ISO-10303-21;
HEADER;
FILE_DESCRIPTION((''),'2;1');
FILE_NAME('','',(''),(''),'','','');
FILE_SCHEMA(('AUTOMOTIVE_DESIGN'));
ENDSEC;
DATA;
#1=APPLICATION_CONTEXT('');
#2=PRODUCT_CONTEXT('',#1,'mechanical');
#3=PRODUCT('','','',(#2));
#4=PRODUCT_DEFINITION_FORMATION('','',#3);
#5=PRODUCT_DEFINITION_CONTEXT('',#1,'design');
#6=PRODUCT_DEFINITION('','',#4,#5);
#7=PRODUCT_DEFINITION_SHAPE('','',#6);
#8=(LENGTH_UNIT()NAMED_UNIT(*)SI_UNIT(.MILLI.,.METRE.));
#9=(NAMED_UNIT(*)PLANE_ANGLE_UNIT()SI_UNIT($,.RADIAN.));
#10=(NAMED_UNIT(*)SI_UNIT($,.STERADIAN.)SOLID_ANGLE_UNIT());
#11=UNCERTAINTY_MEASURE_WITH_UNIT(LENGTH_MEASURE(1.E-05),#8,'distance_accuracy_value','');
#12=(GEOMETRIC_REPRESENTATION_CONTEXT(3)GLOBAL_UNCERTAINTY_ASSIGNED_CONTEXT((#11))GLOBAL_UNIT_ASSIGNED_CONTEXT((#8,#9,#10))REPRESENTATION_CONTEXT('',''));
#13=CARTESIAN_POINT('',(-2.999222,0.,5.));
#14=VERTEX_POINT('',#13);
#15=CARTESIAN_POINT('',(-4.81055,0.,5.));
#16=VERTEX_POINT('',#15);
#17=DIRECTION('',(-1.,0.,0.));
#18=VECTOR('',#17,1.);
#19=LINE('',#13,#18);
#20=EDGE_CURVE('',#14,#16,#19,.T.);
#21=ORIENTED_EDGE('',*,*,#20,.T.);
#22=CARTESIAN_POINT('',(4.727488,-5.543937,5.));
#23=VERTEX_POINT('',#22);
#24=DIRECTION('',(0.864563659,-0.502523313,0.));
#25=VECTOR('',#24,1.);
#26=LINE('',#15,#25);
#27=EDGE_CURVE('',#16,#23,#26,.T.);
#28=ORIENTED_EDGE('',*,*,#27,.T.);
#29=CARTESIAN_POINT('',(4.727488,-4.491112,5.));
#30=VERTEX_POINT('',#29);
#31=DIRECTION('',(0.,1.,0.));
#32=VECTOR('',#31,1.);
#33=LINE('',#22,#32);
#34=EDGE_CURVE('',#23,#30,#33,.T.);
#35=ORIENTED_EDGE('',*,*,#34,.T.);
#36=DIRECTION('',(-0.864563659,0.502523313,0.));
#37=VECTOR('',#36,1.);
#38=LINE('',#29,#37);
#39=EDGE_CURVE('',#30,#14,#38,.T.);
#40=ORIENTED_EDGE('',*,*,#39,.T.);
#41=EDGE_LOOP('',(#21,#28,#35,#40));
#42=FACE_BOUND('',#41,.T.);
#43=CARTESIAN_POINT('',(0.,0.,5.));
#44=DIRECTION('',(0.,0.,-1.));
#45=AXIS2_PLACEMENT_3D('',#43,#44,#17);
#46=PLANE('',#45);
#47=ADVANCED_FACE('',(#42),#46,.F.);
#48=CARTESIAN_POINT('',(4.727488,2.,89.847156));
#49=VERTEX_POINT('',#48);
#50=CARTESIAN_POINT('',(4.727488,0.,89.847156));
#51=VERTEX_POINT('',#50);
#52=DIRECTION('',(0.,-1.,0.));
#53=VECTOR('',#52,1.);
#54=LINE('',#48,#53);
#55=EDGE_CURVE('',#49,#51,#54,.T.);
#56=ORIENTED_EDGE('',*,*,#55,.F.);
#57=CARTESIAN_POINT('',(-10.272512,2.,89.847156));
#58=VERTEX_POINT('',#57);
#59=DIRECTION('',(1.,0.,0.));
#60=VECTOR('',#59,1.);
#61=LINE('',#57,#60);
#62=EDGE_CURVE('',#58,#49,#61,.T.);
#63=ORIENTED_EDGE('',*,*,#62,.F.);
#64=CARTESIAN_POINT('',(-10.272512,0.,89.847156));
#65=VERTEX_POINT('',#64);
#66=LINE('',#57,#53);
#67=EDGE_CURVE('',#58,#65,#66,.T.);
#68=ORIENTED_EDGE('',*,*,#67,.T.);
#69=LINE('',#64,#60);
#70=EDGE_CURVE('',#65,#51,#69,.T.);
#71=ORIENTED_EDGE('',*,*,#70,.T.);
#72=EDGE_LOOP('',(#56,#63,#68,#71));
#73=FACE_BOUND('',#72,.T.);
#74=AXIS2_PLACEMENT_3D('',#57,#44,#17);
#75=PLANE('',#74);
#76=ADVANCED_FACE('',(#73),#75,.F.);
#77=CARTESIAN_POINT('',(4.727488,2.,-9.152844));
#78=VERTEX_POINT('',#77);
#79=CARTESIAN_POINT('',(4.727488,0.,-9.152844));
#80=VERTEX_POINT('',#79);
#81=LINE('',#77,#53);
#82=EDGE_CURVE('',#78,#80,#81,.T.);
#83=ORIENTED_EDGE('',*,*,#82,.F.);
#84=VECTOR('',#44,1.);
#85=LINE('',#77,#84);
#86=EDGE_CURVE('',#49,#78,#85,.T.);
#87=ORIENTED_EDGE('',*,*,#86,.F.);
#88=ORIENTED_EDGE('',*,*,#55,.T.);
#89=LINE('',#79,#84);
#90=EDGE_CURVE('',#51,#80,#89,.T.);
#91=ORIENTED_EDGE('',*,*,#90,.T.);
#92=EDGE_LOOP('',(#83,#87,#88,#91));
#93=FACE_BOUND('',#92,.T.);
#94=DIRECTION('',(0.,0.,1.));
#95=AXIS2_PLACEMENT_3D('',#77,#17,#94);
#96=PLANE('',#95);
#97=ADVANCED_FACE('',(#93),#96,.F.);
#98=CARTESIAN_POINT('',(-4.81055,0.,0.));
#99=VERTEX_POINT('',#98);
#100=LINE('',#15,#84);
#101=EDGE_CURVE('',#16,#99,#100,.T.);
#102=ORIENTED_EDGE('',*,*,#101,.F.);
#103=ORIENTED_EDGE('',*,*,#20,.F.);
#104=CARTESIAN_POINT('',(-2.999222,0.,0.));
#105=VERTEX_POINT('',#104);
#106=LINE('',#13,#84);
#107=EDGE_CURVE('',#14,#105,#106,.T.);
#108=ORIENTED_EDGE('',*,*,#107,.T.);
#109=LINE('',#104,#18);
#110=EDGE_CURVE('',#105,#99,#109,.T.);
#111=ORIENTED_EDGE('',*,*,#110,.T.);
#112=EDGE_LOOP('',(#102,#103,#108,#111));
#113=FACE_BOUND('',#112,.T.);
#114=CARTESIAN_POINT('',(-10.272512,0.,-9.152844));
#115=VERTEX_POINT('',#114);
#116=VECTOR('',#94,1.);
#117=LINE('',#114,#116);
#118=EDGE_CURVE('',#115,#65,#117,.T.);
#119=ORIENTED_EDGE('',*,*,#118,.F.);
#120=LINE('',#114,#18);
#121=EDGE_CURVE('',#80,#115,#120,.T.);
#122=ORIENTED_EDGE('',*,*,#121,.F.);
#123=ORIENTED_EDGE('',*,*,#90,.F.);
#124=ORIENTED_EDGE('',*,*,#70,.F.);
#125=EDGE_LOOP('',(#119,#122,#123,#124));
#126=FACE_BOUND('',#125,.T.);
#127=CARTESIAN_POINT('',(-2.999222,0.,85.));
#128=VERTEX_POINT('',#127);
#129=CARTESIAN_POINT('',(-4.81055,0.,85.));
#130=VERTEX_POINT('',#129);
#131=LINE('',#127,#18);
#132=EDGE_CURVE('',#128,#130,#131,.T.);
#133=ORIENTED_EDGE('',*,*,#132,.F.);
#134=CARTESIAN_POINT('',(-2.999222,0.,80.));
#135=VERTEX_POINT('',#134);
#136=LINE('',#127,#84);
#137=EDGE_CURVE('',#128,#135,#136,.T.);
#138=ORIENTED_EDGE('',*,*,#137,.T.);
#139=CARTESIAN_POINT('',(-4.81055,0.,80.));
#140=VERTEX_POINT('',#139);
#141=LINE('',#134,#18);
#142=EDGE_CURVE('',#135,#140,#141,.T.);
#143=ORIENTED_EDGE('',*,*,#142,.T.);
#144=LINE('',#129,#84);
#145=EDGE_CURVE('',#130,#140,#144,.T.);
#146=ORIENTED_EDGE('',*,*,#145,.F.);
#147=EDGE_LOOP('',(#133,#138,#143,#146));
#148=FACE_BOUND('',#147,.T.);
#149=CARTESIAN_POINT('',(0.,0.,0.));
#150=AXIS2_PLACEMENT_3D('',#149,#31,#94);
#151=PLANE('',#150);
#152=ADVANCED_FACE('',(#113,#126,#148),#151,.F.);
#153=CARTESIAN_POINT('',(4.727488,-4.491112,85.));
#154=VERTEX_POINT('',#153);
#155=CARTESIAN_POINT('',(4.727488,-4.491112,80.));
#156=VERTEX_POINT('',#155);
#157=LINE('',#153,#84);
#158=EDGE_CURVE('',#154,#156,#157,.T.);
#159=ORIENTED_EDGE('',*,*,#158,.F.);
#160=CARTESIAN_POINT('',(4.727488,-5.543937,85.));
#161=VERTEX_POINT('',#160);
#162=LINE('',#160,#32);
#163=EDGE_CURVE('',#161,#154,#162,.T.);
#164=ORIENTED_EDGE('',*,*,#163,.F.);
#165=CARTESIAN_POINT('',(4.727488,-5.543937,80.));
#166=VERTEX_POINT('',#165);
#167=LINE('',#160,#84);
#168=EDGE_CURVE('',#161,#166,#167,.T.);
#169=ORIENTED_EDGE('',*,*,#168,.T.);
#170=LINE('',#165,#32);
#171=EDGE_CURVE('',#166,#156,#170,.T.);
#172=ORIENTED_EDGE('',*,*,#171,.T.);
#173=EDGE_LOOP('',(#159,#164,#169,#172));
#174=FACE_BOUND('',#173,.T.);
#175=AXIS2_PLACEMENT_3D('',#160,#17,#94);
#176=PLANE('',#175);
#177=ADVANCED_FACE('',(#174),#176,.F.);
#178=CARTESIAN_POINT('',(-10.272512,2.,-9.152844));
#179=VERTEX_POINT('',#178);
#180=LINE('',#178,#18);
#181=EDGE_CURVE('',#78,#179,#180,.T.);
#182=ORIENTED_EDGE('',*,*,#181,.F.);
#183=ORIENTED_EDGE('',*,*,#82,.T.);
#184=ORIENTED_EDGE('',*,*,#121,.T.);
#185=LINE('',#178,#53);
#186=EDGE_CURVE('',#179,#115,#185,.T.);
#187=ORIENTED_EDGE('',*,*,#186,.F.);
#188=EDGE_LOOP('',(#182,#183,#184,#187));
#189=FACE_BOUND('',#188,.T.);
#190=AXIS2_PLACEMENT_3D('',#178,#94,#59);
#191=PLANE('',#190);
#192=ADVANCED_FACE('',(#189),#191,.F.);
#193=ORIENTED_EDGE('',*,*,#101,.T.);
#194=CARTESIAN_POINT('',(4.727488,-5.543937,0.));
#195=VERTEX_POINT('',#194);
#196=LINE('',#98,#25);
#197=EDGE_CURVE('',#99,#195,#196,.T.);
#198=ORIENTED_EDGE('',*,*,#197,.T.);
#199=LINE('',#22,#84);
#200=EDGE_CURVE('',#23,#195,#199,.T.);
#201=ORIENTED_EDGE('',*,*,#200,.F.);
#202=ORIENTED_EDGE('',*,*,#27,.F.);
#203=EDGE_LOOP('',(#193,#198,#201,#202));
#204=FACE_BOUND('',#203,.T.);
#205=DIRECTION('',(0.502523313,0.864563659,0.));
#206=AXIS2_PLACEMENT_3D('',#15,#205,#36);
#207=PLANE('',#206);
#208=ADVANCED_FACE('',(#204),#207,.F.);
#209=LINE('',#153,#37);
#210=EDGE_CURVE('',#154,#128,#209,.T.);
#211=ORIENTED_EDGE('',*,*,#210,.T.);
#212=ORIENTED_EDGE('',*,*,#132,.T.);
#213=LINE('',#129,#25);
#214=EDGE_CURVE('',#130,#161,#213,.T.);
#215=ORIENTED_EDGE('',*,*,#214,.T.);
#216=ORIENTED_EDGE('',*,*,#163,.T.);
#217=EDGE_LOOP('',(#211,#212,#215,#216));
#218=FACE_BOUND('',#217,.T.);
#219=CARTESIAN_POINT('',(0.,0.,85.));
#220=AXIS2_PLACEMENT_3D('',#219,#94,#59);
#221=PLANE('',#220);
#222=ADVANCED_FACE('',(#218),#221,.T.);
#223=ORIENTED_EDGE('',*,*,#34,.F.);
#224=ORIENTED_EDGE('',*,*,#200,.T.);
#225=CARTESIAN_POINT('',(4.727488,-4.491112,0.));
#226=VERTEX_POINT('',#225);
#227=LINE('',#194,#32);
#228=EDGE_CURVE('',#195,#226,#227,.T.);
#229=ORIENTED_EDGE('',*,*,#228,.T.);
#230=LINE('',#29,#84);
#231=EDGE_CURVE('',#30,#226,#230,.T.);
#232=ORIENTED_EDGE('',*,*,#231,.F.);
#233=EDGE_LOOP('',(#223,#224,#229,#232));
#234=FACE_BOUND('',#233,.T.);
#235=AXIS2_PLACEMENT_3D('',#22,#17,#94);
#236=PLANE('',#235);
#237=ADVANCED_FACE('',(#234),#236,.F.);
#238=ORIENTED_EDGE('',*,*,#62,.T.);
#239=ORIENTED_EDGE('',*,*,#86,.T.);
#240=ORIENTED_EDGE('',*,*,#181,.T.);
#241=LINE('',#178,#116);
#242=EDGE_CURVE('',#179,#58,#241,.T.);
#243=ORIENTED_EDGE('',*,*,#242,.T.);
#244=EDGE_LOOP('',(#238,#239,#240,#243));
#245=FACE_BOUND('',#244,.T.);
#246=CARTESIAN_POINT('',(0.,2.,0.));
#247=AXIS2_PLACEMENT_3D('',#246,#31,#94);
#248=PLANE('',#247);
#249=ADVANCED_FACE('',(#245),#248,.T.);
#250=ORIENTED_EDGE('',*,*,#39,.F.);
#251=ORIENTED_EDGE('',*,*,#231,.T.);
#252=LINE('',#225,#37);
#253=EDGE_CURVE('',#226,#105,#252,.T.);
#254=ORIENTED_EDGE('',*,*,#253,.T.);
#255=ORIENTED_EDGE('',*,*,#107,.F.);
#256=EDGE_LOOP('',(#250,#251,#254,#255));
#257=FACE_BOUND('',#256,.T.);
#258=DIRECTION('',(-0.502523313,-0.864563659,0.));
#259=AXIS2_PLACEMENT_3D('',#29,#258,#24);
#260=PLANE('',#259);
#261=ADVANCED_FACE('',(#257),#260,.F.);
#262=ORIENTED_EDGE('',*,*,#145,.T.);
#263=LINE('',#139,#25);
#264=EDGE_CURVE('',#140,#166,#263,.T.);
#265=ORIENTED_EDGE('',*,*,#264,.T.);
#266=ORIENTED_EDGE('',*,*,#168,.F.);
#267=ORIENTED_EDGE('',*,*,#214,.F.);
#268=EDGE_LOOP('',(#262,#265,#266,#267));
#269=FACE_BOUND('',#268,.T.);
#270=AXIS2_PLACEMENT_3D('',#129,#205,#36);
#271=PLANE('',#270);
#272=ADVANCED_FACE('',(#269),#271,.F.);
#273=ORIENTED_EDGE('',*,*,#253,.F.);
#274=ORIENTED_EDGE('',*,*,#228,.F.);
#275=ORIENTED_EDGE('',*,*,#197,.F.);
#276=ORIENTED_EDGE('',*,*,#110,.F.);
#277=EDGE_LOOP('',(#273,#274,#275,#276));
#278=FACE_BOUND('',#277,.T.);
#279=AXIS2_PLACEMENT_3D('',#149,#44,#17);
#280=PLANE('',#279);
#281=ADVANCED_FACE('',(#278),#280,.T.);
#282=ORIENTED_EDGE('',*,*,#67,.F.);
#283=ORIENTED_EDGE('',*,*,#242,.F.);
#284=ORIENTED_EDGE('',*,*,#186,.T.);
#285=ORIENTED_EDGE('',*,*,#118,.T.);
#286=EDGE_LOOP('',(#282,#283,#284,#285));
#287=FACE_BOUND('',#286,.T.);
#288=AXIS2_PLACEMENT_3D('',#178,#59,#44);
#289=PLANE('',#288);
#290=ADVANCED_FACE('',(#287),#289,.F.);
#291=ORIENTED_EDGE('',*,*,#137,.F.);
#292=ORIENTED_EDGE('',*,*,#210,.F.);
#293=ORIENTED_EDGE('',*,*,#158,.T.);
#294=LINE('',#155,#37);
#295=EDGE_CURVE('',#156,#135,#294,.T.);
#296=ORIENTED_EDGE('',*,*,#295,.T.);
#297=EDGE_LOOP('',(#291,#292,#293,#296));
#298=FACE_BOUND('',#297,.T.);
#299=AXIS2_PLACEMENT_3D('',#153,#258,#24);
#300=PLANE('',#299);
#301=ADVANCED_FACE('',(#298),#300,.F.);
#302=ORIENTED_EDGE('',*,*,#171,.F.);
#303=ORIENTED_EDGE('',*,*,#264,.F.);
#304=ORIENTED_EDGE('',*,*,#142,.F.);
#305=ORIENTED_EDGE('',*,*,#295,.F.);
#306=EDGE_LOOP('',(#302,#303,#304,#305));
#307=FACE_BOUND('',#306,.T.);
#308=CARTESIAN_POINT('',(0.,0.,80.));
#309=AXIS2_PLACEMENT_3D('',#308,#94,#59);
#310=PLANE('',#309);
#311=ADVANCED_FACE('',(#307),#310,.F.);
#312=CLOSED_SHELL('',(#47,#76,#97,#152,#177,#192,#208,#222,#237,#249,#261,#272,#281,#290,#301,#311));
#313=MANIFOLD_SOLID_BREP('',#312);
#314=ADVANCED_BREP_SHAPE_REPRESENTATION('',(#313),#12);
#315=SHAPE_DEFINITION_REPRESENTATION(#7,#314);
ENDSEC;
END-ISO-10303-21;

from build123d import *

# Parameters (mm, degrees)
SKETCH_1_W      = 15
SKETCH_1_H      = 99
EXTRUDE_1_DEPTH = 2
EXTRUDE_2_DEPTH = 5
EXTRUDE_3_DEPTH = 5


with BuildPart() as part:
    # 草图1 → 凸台-拉伸1 (new body)
    with BuildSketch(Plane(origin=(0, 0, 0), x_dir=(1, 0, 0), z_dir=(0, 1, 0))):
        with Locations((-2.772511848, -40.347156398)):
            Rectangle(SKETCH_1_W, SKETCH_1_H)
    extrude(amount=EXTRUDE_1_DEPTH)

    # 草图3 → 凸台-拉伸2 (add)
    with BuildSketch(Plane.XY):
        Polygon((-4.810549778, 0), (4.727488152, -5.543936954), (4.727488152, -4.491111673), (-2.999221917, 0), align=None)
    extrude(amount=EXTRUDE_2_DEPTH)

    # 草图5 → 凸台-拉伸3 (add)
    with BuildSketch(Plane.XY.offset(80)):
        Polygon((-4.810549778, 0), (4.727488152, -5.543936954), (4.727488152, -4.491111673), (-2.999221917, 0), align=None)
    extrude(amount=EXTRUDE_3_DEPTH)


solid = part.part
